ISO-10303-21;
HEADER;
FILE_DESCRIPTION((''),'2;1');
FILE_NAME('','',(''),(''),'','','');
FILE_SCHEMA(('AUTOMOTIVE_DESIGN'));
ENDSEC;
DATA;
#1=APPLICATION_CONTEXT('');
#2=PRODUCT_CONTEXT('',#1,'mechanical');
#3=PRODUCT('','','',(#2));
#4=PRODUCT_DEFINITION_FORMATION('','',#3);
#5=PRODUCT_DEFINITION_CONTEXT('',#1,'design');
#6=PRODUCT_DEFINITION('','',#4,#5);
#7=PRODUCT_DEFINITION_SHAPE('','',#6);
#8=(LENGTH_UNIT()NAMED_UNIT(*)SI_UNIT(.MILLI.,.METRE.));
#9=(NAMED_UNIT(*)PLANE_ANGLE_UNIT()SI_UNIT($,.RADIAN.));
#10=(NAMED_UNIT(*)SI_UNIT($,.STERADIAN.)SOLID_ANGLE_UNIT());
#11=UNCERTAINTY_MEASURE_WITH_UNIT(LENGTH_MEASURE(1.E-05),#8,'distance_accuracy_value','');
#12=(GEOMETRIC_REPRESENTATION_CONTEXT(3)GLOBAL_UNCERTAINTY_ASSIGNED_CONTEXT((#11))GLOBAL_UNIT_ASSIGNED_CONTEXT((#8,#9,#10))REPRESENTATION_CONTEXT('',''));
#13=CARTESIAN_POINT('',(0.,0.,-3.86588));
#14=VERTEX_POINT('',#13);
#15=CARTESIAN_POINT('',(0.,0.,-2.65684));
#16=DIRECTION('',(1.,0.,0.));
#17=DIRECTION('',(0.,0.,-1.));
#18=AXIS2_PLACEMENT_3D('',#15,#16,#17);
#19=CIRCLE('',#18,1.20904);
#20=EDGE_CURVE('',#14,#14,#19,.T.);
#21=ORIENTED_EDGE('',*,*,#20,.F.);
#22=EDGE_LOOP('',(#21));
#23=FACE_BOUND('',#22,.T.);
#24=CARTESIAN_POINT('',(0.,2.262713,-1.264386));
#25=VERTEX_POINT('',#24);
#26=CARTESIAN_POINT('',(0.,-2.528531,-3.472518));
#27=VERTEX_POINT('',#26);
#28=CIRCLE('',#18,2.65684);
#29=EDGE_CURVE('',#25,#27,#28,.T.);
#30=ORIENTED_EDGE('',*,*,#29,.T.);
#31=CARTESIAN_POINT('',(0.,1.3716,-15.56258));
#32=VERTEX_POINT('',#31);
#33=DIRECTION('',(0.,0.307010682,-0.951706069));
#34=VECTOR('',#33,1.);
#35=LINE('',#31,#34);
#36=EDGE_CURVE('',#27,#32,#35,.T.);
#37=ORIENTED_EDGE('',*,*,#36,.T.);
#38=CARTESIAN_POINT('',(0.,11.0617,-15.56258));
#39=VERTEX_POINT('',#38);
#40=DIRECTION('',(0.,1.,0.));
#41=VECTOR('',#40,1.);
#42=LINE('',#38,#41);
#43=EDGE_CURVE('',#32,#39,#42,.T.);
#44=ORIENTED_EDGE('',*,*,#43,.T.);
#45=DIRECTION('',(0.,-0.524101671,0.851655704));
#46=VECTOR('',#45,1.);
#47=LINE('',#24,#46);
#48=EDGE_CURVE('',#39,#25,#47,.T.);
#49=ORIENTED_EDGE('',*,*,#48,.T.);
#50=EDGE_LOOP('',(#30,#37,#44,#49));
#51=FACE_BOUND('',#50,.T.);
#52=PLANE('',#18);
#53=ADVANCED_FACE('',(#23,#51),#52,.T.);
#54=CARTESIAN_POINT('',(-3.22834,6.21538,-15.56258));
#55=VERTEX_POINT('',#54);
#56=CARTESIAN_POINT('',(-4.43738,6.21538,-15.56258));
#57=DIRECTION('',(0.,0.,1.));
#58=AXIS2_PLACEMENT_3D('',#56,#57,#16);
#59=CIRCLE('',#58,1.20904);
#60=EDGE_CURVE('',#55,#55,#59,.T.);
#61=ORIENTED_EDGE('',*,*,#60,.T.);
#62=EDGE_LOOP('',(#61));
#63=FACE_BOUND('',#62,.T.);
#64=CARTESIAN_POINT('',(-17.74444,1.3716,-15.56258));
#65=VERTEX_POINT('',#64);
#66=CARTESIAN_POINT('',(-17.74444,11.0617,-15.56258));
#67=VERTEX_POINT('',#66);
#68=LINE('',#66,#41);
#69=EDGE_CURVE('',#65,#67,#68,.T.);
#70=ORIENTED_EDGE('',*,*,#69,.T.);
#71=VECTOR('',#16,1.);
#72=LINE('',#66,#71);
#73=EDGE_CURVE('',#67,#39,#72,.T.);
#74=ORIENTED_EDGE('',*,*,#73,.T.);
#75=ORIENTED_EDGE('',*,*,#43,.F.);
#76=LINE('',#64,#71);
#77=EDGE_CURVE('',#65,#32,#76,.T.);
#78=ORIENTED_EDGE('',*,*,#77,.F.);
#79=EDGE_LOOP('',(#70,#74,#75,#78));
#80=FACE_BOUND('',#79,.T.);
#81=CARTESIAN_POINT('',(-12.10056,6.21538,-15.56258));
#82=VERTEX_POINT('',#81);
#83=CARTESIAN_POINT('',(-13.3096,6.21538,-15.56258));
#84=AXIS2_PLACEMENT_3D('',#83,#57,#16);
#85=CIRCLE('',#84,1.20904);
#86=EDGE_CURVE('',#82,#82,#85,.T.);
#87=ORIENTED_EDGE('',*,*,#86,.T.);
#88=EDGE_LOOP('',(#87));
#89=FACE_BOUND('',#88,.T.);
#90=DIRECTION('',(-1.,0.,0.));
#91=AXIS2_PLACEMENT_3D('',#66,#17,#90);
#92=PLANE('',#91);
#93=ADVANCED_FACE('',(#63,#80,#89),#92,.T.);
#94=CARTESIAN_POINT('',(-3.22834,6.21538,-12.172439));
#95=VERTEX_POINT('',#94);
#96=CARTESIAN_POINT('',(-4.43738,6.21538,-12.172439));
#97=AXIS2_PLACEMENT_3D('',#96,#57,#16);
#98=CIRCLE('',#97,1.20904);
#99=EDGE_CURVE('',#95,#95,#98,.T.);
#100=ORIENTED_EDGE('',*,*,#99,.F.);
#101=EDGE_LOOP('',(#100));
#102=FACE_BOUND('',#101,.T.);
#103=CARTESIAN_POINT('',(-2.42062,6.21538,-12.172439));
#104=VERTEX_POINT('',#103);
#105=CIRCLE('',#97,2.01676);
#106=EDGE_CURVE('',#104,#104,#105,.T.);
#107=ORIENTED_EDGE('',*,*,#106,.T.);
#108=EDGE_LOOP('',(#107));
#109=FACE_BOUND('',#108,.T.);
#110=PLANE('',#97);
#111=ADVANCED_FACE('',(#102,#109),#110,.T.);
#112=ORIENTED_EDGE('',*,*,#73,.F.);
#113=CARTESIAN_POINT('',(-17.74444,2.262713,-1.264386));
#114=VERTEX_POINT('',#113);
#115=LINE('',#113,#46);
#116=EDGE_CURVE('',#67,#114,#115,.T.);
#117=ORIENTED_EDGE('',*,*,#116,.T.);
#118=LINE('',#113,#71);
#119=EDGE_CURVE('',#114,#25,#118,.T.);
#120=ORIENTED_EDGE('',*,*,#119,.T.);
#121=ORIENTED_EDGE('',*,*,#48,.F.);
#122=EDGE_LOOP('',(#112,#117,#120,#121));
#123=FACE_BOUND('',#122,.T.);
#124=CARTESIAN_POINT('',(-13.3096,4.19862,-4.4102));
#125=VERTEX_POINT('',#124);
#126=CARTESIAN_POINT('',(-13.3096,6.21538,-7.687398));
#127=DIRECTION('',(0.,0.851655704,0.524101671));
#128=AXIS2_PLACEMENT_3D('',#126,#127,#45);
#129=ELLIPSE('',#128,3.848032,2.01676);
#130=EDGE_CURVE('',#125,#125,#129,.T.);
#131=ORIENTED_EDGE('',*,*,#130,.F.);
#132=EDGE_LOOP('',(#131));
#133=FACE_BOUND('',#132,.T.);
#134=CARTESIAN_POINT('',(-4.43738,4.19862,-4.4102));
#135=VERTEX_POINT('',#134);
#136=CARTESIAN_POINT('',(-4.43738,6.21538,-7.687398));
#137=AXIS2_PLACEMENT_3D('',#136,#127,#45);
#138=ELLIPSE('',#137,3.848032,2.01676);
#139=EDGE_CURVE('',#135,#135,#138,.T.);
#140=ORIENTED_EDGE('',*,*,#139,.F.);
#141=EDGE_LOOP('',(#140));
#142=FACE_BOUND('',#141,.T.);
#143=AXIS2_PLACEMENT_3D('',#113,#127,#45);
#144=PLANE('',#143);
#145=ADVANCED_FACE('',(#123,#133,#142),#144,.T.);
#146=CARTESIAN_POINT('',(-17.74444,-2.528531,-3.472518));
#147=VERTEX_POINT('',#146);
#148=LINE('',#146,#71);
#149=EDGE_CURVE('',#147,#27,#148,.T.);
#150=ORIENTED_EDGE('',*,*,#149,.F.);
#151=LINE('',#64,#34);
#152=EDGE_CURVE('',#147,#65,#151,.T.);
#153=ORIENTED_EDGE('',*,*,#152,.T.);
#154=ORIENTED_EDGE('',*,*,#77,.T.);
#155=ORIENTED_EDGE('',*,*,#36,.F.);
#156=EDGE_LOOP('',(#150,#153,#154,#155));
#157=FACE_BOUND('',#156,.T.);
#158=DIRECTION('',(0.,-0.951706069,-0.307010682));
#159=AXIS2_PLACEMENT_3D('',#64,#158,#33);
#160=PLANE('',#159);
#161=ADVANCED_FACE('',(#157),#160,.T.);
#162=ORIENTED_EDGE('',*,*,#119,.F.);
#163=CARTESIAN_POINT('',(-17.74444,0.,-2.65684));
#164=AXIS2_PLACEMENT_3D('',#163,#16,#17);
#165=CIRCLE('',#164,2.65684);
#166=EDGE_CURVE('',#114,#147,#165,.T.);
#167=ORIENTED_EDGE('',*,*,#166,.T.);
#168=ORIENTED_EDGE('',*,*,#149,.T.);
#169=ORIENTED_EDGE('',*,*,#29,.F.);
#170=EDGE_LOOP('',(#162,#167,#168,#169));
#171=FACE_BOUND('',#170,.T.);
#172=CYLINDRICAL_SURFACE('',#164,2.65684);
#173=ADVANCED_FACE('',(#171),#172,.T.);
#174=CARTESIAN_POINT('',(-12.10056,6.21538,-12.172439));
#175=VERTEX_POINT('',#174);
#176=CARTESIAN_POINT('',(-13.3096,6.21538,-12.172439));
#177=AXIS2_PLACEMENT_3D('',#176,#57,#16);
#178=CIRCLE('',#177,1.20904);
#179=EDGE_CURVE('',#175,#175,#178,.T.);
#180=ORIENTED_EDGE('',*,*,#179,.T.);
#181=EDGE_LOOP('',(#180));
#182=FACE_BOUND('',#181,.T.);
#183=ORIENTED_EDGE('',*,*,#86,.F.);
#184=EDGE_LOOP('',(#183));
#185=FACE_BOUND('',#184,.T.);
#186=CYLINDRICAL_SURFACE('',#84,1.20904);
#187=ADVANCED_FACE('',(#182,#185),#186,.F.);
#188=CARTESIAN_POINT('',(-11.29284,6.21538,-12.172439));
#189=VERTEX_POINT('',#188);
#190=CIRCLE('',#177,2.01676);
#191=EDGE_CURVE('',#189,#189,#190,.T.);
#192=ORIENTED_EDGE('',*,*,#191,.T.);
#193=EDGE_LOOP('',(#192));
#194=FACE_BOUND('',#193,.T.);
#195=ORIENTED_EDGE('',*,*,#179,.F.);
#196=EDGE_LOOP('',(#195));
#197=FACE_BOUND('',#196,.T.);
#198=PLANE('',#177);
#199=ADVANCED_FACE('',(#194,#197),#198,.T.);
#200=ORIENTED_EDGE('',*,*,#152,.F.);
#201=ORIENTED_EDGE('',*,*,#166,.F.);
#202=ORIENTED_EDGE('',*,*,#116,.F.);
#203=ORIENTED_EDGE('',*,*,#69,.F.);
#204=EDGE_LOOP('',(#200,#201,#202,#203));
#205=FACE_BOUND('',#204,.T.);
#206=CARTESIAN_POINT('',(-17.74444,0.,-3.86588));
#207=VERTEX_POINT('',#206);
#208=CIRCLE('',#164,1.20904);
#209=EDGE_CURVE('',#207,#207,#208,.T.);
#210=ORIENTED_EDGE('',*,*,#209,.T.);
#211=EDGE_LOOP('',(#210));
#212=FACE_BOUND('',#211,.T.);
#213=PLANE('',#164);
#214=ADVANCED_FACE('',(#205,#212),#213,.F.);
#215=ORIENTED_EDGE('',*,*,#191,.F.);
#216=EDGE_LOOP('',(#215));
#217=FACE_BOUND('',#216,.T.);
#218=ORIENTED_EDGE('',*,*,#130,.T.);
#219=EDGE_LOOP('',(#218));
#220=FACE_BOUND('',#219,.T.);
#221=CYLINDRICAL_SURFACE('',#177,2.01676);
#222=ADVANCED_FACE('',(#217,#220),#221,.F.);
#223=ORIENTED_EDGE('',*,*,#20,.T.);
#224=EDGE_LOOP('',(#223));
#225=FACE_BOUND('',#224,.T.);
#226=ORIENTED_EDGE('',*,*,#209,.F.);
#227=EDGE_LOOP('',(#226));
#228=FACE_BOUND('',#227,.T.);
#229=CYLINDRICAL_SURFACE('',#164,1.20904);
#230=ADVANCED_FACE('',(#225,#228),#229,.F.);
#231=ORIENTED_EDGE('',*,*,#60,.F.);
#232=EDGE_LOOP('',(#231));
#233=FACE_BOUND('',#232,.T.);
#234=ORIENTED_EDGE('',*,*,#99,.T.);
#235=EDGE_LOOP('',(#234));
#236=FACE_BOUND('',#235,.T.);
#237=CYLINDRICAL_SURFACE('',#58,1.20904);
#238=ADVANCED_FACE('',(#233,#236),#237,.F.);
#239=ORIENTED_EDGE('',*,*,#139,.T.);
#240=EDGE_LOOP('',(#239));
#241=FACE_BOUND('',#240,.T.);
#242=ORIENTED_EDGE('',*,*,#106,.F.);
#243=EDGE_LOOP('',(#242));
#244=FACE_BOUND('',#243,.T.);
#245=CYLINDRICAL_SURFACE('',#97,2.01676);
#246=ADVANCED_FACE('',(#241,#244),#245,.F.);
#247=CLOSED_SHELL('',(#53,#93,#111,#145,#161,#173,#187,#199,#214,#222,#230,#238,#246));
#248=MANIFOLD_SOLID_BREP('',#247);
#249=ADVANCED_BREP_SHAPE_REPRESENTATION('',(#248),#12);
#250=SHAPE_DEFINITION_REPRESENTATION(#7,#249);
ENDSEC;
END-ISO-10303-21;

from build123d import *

# Parameters (mm, degrees)
SKETCH1_R           = 1.20904
BOSS_EXTRUDE1_DEPTH = 17.74444
SKETCH5_R           = 2.01676
CUT_EXTRUDE5_DEPTH  = 12.17243946
SKETCH6_R           = 1.20904
CUT_EXTRUDE6_DEPTH  = 4.39014054


with BuildPart() as part:
    # Sketch1 → Boss-Extrude1 (new body)
    with BuildSketch(Plane(origin=(0, 0, 0), x_dir=(0, 0, -1), z_dir=(1, 0, 0))):
        with BuildLine():
            Line((15.56258, 11.0617), (15.56258, 1.3716))
            Line((15.56258, 1.3716), (3.472518261, -2.528530751))
            ThreePointArc((3.472518261, -2.528530751), (0.243922332, -1.11203737), (1.264385716, 2.262712941))
            Line((1.264385716, 2.262712941), (15.56258, 11.0617))
        make_face()
        with Locations((2.65684, 0)):
            Circle(SKETCH1_R, mode=Mode.SUBTRACT)
    extrude(amount=-BOSS_EXTRUDE1_DEPTH)

    # Sketch5 → Cut-Extrude5 (cut)
    with BuildSketch(Plane.XY):
        with Locations((-13.3096, 6.21538)):
            Circle(SKETCH5_R)
        with Locations((-4.43738, 6.21538)):
            Circle(SKETCH5_R)
    extrude(amount=-CUT_EXTRUDE5_DEPTH, mode=Mode.SUBTRACT)

    # Sketch6 → Cut-Extrude6 (cut, through all)
    with BuildSketch(Plane.XY.offset(-12.17243946)):
        with Locations((-13.3096, 6.21538)):
            Circle(SKETCH6_R)
        with Locations((-4.43738, 6.21538)):
            Circle(SKETCH6_R)
    extrude(amount=-CUT_EXTRUDE6_DEPTH, mode=Mode.SUBTRACT)


solid = part.part
